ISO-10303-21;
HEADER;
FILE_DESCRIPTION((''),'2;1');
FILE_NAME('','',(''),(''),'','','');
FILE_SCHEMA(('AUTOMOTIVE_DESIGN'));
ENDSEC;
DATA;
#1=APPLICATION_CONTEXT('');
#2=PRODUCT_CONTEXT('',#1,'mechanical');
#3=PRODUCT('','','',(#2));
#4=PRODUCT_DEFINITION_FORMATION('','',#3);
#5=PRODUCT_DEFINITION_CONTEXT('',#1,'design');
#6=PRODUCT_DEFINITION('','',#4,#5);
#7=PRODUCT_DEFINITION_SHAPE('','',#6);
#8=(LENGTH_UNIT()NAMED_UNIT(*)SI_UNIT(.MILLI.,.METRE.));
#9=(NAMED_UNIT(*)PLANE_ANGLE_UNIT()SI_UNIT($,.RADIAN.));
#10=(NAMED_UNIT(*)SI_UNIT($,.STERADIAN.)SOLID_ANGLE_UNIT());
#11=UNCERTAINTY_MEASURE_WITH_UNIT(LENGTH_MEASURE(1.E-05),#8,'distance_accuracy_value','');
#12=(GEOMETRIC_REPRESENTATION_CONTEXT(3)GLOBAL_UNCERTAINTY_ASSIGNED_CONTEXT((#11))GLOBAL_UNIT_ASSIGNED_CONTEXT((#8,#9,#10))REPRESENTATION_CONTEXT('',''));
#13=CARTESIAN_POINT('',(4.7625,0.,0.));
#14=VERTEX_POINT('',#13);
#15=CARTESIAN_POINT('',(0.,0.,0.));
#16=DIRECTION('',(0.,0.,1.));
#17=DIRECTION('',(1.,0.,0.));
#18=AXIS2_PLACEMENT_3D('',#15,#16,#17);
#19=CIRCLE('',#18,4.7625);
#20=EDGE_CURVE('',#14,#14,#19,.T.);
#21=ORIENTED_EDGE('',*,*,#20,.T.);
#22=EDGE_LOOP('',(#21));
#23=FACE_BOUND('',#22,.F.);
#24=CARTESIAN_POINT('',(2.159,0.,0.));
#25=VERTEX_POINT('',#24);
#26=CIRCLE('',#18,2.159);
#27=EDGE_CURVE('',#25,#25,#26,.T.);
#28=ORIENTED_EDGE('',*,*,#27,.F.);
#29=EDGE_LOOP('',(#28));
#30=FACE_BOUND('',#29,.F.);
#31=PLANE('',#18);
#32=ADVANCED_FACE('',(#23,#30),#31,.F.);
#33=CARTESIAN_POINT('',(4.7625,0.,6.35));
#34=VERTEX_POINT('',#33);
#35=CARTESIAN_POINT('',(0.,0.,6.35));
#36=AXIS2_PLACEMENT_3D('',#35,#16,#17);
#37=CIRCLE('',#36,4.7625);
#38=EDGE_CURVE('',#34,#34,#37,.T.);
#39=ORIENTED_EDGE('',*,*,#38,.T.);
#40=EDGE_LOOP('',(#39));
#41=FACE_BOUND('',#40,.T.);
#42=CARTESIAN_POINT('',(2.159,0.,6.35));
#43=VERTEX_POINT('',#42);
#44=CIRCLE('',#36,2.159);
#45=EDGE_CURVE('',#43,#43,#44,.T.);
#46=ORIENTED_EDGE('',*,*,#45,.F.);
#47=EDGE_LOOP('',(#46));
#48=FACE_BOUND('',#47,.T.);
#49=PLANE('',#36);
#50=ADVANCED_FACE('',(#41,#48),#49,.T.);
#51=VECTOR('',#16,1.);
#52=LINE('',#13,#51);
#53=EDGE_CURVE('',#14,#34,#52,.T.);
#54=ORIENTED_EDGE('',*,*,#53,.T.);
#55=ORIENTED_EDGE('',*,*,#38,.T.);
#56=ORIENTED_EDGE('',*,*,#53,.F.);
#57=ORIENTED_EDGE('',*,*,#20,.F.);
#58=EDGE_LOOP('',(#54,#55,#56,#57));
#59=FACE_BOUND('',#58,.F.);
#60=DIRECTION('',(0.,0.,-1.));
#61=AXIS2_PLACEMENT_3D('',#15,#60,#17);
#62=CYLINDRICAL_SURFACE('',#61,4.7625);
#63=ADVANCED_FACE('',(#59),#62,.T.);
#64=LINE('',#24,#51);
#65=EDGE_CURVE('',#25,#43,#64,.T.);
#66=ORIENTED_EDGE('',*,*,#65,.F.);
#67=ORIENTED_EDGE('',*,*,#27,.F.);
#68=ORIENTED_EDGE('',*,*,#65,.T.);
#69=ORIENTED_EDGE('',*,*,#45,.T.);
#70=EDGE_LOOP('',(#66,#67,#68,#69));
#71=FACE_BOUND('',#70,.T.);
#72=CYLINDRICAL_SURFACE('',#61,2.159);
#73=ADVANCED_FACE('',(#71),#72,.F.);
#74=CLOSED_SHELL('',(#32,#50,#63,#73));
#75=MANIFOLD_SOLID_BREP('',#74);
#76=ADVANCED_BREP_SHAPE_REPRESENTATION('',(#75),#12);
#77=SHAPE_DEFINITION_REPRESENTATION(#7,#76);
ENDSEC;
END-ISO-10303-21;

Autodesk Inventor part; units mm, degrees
ref_plane "YZ Plane" through (0, 0, 0) normal (1, 0, 0) x (0, 1, 0)
ref_plane "XZ Plane" through (0, 0, 0) normal (0, 1, 0) x (-1, 0, 0)
ref_plane "XY Plane" through (0, 0, 0) normal (0, 0, 1) x (1, 0, 0)
sketch "Sketch1" plane through (0, 0, 0) normal (0, 0, 1) x (1, 0, 0)
  circle A0 centre (0, 0) radius 4.7625
  circle A1 centre (0, 0) radius 2.159
  dimension "d0" = 9.525
  dimension "d3" = 4.318
extrude "Extrusion1" add sketch "Sketch1" along normal blind 6.35
properties part number "Spacer_8-32"
